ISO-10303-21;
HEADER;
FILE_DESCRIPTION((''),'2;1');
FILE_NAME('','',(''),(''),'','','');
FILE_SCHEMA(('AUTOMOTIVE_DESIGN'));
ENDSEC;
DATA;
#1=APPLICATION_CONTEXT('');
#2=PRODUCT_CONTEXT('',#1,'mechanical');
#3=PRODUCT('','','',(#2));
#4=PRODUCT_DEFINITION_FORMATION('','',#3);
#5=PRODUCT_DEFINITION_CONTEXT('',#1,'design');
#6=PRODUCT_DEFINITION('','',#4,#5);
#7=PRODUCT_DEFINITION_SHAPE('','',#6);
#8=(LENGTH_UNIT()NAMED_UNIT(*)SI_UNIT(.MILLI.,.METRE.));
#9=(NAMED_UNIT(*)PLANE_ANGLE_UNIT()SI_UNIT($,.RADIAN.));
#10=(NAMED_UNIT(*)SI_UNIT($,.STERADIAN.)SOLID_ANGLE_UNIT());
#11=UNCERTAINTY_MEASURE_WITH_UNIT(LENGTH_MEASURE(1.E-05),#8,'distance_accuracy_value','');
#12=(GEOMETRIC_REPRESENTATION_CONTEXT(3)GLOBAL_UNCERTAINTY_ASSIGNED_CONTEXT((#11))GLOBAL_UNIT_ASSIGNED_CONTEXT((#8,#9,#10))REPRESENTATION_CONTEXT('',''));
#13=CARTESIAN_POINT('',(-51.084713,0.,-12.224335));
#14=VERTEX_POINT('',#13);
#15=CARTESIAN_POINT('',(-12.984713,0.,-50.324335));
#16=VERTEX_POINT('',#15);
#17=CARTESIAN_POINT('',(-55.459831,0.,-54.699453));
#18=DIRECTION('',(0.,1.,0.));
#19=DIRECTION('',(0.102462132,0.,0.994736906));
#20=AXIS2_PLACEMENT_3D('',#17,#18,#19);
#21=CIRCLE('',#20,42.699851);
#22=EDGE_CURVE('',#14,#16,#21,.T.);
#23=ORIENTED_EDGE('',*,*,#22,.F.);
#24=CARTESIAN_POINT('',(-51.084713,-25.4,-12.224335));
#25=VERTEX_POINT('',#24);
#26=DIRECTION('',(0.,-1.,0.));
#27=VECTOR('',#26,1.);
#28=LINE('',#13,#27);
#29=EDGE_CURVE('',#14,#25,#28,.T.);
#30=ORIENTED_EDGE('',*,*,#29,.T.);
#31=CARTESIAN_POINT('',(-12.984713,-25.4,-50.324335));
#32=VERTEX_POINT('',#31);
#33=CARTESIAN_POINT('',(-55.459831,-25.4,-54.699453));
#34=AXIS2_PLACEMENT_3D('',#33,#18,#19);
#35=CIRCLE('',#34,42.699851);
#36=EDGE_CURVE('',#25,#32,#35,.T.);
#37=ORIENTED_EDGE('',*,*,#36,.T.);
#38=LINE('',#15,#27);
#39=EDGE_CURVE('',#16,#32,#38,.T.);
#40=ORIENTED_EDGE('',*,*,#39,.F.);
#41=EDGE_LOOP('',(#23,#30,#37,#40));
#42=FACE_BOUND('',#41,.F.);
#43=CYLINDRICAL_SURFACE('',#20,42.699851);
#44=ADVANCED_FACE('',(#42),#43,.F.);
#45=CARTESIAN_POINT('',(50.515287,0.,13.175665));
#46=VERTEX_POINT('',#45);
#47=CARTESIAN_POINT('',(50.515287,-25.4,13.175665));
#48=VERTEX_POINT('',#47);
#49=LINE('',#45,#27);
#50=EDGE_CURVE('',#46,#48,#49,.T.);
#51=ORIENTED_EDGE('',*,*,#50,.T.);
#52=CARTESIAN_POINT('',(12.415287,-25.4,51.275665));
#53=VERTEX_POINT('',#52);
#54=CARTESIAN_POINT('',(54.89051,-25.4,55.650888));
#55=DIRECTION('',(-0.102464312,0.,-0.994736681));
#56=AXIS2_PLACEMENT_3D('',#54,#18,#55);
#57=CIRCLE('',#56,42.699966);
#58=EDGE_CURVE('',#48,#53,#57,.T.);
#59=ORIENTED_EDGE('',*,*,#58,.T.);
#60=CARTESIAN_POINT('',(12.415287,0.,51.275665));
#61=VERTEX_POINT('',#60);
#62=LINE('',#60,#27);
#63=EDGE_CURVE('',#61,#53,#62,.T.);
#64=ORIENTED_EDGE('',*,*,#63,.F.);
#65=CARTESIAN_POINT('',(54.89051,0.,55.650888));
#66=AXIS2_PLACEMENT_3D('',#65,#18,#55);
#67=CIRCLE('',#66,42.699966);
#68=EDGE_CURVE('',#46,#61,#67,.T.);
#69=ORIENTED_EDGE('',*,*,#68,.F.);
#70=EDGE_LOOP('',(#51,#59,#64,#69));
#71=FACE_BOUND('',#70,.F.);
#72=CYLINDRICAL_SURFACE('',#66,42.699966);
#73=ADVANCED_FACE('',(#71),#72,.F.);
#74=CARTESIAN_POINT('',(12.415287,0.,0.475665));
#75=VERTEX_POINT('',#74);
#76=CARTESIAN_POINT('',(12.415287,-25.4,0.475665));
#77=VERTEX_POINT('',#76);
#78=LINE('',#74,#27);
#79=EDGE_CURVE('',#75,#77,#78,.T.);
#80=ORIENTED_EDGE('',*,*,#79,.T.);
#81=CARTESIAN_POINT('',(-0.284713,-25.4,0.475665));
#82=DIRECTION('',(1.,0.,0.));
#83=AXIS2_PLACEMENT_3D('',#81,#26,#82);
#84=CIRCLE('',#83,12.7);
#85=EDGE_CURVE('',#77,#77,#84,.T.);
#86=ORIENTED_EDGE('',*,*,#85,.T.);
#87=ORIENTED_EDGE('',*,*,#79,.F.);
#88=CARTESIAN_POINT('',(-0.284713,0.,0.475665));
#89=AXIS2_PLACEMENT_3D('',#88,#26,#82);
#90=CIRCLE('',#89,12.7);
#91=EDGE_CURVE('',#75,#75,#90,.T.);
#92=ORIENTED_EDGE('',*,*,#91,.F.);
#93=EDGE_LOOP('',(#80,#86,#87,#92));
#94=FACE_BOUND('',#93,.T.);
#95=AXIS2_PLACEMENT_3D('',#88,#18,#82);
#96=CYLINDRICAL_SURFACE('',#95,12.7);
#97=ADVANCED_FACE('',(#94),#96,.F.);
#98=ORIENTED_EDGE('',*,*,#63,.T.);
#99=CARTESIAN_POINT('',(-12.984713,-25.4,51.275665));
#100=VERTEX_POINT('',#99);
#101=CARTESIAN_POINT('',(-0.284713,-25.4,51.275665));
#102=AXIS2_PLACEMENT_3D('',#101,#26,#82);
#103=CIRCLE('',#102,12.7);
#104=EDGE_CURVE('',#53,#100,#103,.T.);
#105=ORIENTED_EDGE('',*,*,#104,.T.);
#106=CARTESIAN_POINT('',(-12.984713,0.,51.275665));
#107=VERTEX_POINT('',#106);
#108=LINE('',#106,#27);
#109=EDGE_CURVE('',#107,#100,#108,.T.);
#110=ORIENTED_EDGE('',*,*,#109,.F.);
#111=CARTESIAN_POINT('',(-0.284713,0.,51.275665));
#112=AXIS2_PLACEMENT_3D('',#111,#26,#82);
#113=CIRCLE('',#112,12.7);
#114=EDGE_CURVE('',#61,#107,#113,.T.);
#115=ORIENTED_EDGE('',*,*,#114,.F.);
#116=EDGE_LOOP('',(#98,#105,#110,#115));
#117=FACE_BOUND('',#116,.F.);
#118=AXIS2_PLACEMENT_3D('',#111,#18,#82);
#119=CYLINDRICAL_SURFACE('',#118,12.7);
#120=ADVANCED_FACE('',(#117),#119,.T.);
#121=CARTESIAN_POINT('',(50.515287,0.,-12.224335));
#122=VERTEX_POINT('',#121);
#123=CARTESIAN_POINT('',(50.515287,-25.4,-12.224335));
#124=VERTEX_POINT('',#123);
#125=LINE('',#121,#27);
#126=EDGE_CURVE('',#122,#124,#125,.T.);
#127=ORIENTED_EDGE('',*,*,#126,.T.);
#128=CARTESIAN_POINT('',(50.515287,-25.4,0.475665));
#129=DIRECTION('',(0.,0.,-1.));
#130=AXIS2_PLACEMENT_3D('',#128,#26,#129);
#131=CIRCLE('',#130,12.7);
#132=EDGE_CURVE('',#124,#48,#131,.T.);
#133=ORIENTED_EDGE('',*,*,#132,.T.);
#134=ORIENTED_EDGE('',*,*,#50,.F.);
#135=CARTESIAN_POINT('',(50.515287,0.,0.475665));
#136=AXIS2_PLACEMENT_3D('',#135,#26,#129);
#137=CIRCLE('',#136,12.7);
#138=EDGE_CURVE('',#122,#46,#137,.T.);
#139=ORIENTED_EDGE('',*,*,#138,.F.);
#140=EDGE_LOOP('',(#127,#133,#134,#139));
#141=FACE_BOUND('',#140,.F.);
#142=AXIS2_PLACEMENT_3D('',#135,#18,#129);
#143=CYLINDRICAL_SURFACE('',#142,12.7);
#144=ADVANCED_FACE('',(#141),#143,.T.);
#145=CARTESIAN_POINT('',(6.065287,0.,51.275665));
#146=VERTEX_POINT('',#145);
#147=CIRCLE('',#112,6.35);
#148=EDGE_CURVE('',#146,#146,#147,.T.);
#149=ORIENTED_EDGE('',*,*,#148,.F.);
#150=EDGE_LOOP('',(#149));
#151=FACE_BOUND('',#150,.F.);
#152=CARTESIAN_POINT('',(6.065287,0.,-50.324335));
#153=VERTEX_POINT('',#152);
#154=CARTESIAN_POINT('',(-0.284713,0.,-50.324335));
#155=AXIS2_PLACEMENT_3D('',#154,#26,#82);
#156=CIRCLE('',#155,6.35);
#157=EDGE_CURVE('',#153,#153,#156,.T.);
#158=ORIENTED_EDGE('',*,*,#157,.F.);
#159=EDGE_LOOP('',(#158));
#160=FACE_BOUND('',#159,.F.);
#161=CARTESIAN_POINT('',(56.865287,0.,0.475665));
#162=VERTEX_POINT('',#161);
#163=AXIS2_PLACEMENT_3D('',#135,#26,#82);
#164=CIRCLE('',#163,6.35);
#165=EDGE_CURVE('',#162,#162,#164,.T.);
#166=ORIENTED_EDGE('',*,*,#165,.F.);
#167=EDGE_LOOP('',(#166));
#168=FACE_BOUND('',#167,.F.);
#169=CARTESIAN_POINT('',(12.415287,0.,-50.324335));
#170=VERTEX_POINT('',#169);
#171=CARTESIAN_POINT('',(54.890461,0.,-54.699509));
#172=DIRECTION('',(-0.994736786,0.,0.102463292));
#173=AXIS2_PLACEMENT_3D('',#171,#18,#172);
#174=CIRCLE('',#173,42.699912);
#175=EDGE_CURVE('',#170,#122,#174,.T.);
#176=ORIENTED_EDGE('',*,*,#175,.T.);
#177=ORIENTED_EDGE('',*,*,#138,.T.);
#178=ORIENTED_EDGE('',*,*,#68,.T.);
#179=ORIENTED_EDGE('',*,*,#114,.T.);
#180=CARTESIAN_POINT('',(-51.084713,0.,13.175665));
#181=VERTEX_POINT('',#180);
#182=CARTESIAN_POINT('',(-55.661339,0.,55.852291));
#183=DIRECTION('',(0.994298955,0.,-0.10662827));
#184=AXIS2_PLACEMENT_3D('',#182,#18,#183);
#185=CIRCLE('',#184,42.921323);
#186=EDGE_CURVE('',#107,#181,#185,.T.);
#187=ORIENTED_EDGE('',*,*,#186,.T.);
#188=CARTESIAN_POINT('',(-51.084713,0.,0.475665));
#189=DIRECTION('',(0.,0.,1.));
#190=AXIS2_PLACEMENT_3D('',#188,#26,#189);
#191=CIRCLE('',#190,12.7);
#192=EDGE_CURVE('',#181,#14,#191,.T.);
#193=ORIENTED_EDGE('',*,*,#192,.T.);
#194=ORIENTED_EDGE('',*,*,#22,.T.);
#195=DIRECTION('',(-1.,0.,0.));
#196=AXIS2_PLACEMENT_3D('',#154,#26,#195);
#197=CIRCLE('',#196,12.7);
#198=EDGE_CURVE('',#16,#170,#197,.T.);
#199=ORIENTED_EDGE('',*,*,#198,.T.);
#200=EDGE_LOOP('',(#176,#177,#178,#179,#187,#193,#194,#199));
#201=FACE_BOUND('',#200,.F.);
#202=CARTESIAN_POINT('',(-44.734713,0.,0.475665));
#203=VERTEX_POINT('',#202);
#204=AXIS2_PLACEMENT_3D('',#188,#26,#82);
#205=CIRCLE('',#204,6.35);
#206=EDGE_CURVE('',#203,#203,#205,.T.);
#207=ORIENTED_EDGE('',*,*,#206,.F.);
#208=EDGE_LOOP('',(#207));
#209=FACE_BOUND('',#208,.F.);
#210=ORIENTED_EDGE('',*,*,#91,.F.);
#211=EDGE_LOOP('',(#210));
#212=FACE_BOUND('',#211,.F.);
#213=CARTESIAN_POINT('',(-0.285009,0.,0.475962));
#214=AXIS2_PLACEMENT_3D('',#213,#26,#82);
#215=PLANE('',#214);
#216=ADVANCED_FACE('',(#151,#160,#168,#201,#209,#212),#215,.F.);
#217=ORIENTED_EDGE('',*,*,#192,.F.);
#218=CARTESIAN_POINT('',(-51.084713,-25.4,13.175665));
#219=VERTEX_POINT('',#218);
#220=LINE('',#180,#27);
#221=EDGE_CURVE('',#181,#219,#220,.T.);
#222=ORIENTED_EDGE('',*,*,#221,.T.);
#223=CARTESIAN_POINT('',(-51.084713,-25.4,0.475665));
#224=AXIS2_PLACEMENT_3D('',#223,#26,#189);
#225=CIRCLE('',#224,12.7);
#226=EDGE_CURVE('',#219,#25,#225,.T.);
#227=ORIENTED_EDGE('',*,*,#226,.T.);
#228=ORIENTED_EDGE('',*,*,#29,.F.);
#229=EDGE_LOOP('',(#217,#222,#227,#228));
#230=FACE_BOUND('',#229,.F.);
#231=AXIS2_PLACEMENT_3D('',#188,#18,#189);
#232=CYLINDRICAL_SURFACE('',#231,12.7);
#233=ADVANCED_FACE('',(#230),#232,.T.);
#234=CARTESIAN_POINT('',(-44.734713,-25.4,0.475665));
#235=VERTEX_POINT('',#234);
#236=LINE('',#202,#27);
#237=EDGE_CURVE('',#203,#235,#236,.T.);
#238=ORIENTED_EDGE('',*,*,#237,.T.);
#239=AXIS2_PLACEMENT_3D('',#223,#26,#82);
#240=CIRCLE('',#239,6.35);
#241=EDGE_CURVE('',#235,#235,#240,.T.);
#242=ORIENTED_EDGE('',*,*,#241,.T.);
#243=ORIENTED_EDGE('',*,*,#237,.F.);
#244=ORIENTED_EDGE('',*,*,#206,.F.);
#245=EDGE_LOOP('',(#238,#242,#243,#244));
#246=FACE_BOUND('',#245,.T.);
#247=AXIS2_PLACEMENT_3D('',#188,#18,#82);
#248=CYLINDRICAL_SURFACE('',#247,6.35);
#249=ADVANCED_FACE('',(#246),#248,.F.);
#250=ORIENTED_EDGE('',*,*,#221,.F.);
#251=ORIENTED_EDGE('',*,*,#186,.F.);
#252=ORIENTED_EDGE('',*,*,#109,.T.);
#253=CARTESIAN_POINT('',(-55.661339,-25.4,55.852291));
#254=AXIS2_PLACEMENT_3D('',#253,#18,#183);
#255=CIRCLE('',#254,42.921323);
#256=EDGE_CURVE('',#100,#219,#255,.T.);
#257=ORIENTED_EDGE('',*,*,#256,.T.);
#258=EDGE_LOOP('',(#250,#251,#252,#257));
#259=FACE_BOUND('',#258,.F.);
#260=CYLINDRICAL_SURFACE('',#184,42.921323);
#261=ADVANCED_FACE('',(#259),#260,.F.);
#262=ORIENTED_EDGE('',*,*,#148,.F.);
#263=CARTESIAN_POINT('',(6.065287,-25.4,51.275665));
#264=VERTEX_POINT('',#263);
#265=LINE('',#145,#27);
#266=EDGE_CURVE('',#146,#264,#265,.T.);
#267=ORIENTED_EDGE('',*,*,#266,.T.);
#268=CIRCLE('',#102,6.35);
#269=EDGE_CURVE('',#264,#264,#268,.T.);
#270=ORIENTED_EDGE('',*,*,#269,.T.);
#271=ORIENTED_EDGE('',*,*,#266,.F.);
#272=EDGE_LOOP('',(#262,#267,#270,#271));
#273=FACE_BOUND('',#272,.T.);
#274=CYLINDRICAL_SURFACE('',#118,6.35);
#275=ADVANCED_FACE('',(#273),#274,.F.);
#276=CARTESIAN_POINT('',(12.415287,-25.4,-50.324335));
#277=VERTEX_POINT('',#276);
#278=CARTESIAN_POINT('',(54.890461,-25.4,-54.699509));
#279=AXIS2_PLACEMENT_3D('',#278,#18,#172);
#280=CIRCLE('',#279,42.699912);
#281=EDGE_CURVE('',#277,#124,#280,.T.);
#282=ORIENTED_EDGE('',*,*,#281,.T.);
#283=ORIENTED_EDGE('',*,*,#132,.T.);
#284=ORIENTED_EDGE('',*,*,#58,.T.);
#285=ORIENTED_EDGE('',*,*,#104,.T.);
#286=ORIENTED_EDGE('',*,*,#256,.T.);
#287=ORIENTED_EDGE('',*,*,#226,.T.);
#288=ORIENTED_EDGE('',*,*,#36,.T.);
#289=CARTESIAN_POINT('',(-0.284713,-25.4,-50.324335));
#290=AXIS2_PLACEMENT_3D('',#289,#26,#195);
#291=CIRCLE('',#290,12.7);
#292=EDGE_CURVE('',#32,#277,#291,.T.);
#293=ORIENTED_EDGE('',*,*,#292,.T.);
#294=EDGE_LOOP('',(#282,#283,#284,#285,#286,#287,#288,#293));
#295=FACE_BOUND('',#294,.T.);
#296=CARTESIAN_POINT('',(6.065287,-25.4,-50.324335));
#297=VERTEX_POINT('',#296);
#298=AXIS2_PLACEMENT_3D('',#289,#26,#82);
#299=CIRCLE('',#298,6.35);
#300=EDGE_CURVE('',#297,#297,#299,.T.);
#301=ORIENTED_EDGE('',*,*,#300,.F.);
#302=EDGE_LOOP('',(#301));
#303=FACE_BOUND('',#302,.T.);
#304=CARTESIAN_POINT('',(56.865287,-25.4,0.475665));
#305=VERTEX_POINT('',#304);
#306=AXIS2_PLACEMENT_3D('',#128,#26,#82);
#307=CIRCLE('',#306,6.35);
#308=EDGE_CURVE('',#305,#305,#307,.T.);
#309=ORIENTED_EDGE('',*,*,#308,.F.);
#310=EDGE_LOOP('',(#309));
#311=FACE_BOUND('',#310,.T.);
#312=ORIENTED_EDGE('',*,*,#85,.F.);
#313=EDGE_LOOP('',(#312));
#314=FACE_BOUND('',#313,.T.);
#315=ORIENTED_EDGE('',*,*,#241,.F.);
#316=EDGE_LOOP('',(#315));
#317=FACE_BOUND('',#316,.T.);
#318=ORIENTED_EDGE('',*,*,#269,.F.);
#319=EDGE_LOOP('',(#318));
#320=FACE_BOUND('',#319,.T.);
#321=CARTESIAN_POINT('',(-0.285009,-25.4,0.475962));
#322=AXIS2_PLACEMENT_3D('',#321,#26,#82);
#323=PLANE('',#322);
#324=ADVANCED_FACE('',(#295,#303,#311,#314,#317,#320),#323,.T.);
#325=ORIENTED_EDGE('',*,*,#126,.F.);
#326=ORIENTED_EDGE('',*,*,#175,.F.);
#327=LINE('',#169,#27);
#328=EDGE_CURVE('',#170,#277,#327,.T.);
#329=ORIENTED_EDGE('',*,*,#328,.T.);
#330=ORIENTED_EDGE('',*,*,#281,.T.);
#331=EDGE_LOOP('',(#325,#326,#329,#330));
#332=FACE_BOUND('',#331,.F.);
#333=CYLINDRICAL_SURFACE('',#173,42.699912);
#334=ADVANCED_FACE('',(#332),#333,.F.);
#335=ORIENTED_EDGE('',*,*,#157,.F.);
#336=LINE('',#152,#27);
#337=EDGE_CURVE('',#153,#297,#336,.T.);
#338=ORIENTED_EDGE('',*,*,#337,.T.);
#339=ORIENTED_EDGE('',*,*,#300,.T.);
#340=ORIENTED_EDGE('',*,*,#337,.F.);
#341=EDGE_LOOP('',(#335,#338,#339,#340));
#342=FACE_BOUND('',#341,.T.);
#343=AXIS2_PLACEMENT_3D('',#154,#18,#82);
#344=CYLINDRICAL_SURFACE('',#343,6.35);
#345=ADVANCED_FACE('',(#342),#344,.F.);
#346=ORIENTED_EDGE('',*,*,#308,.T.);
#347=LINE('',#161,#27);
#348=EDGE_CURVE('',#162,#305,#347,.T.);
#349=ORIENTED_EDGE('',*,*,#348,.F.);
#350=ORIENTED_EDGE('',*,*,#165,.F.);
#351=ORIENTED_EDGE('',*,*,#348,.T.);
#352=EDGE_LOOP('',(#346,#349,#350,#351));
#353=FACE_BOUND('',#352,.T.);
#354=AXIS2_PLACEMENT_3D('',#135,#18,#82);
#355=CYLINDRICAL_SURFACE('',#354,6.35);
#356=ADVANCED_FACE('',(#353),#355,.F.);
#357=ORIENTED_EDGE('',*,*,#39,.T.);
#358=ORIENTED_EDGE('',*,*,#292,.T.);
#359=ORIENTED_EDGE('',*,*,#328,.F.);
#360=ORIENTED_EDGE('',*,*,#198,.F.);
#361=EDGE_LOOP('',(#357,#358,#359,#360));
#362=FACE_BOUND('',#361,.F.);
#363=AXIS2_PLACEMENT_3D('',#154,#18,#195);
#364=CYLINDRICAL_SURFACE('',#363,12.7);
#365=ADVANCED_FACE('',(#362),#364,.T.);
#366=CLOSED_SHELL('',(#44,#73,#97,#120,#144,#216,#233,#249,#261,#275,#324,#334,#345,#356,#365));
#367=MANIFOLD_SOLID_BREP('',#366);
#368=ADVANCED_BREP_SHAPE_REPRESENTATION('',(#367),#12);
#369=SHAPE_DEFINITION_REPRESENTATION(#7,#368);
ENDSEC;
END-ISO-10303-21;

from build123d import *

# Parameters (mm, degrees)
F0_R     = 6.35
F0_R_2   = 12.7
F1_DEPTH = 25.4


with BuildPart() as f1:
    # F0 (on Front) → F1 (new body)
    with BuildSketch(Plane.XZ):
        with BuildLine():
            ThreePointArc((-12.984713, 51.275665), (-25.311381, 25.502333), (-51.084713, 13.175665))
            ThreePointArc((-51.084713, 13.175665), (-63.784713, 0.475665), (-51.084713, -12.224335))
            ThreePointArc((-51.084713, -12.224335), (-25.266476, -24.506099), (-12.984713, -50.324335))
            ThreePointArc((-12.984713, -50.324335), (-0.284713, -63.024335), (12.415287, -50.324335))
            ThreePointArc((12.415287, -50.324335), (24.697063, -24.506111), (50.515287, -12.224335))
            ThreePointArc((50.515287, -12.224335), (63.215287, 0.475665), (50.515287, 13.175665))
            ThreePointArc((50.515287, 13.175665), (24.697074, 25.457452), (12.415287, 51.275665))
            ThreePointArc((12.415287, 51.275665), (-0.284713, 63.975665), (-12.984713, 51.275665))
        make_face()
        with Locations((-0.284713, -50.324335)):
            Circle(F0_R, mode=Mode.SUBTRACT)
        with Locations((-51.084713, 0.475665)):
            Circle(F0_R, mode=Mode.SUBTRACT)
        with Locations((-0.284713, 0.475665)):
            Circle(F0_R_2, mode=Mode.SUBTRACT)
        with Locations((-0.284713, 51.275665)):
            Circle(F0_R, mode=Mode.SUBTRACT)
        with Locations((50.515287, 0.475665)):
            Circle(F0_R, mode=Mode.SUBTRACT)
    extrude(amount=F1_DEPTH)


solid = f1.part
